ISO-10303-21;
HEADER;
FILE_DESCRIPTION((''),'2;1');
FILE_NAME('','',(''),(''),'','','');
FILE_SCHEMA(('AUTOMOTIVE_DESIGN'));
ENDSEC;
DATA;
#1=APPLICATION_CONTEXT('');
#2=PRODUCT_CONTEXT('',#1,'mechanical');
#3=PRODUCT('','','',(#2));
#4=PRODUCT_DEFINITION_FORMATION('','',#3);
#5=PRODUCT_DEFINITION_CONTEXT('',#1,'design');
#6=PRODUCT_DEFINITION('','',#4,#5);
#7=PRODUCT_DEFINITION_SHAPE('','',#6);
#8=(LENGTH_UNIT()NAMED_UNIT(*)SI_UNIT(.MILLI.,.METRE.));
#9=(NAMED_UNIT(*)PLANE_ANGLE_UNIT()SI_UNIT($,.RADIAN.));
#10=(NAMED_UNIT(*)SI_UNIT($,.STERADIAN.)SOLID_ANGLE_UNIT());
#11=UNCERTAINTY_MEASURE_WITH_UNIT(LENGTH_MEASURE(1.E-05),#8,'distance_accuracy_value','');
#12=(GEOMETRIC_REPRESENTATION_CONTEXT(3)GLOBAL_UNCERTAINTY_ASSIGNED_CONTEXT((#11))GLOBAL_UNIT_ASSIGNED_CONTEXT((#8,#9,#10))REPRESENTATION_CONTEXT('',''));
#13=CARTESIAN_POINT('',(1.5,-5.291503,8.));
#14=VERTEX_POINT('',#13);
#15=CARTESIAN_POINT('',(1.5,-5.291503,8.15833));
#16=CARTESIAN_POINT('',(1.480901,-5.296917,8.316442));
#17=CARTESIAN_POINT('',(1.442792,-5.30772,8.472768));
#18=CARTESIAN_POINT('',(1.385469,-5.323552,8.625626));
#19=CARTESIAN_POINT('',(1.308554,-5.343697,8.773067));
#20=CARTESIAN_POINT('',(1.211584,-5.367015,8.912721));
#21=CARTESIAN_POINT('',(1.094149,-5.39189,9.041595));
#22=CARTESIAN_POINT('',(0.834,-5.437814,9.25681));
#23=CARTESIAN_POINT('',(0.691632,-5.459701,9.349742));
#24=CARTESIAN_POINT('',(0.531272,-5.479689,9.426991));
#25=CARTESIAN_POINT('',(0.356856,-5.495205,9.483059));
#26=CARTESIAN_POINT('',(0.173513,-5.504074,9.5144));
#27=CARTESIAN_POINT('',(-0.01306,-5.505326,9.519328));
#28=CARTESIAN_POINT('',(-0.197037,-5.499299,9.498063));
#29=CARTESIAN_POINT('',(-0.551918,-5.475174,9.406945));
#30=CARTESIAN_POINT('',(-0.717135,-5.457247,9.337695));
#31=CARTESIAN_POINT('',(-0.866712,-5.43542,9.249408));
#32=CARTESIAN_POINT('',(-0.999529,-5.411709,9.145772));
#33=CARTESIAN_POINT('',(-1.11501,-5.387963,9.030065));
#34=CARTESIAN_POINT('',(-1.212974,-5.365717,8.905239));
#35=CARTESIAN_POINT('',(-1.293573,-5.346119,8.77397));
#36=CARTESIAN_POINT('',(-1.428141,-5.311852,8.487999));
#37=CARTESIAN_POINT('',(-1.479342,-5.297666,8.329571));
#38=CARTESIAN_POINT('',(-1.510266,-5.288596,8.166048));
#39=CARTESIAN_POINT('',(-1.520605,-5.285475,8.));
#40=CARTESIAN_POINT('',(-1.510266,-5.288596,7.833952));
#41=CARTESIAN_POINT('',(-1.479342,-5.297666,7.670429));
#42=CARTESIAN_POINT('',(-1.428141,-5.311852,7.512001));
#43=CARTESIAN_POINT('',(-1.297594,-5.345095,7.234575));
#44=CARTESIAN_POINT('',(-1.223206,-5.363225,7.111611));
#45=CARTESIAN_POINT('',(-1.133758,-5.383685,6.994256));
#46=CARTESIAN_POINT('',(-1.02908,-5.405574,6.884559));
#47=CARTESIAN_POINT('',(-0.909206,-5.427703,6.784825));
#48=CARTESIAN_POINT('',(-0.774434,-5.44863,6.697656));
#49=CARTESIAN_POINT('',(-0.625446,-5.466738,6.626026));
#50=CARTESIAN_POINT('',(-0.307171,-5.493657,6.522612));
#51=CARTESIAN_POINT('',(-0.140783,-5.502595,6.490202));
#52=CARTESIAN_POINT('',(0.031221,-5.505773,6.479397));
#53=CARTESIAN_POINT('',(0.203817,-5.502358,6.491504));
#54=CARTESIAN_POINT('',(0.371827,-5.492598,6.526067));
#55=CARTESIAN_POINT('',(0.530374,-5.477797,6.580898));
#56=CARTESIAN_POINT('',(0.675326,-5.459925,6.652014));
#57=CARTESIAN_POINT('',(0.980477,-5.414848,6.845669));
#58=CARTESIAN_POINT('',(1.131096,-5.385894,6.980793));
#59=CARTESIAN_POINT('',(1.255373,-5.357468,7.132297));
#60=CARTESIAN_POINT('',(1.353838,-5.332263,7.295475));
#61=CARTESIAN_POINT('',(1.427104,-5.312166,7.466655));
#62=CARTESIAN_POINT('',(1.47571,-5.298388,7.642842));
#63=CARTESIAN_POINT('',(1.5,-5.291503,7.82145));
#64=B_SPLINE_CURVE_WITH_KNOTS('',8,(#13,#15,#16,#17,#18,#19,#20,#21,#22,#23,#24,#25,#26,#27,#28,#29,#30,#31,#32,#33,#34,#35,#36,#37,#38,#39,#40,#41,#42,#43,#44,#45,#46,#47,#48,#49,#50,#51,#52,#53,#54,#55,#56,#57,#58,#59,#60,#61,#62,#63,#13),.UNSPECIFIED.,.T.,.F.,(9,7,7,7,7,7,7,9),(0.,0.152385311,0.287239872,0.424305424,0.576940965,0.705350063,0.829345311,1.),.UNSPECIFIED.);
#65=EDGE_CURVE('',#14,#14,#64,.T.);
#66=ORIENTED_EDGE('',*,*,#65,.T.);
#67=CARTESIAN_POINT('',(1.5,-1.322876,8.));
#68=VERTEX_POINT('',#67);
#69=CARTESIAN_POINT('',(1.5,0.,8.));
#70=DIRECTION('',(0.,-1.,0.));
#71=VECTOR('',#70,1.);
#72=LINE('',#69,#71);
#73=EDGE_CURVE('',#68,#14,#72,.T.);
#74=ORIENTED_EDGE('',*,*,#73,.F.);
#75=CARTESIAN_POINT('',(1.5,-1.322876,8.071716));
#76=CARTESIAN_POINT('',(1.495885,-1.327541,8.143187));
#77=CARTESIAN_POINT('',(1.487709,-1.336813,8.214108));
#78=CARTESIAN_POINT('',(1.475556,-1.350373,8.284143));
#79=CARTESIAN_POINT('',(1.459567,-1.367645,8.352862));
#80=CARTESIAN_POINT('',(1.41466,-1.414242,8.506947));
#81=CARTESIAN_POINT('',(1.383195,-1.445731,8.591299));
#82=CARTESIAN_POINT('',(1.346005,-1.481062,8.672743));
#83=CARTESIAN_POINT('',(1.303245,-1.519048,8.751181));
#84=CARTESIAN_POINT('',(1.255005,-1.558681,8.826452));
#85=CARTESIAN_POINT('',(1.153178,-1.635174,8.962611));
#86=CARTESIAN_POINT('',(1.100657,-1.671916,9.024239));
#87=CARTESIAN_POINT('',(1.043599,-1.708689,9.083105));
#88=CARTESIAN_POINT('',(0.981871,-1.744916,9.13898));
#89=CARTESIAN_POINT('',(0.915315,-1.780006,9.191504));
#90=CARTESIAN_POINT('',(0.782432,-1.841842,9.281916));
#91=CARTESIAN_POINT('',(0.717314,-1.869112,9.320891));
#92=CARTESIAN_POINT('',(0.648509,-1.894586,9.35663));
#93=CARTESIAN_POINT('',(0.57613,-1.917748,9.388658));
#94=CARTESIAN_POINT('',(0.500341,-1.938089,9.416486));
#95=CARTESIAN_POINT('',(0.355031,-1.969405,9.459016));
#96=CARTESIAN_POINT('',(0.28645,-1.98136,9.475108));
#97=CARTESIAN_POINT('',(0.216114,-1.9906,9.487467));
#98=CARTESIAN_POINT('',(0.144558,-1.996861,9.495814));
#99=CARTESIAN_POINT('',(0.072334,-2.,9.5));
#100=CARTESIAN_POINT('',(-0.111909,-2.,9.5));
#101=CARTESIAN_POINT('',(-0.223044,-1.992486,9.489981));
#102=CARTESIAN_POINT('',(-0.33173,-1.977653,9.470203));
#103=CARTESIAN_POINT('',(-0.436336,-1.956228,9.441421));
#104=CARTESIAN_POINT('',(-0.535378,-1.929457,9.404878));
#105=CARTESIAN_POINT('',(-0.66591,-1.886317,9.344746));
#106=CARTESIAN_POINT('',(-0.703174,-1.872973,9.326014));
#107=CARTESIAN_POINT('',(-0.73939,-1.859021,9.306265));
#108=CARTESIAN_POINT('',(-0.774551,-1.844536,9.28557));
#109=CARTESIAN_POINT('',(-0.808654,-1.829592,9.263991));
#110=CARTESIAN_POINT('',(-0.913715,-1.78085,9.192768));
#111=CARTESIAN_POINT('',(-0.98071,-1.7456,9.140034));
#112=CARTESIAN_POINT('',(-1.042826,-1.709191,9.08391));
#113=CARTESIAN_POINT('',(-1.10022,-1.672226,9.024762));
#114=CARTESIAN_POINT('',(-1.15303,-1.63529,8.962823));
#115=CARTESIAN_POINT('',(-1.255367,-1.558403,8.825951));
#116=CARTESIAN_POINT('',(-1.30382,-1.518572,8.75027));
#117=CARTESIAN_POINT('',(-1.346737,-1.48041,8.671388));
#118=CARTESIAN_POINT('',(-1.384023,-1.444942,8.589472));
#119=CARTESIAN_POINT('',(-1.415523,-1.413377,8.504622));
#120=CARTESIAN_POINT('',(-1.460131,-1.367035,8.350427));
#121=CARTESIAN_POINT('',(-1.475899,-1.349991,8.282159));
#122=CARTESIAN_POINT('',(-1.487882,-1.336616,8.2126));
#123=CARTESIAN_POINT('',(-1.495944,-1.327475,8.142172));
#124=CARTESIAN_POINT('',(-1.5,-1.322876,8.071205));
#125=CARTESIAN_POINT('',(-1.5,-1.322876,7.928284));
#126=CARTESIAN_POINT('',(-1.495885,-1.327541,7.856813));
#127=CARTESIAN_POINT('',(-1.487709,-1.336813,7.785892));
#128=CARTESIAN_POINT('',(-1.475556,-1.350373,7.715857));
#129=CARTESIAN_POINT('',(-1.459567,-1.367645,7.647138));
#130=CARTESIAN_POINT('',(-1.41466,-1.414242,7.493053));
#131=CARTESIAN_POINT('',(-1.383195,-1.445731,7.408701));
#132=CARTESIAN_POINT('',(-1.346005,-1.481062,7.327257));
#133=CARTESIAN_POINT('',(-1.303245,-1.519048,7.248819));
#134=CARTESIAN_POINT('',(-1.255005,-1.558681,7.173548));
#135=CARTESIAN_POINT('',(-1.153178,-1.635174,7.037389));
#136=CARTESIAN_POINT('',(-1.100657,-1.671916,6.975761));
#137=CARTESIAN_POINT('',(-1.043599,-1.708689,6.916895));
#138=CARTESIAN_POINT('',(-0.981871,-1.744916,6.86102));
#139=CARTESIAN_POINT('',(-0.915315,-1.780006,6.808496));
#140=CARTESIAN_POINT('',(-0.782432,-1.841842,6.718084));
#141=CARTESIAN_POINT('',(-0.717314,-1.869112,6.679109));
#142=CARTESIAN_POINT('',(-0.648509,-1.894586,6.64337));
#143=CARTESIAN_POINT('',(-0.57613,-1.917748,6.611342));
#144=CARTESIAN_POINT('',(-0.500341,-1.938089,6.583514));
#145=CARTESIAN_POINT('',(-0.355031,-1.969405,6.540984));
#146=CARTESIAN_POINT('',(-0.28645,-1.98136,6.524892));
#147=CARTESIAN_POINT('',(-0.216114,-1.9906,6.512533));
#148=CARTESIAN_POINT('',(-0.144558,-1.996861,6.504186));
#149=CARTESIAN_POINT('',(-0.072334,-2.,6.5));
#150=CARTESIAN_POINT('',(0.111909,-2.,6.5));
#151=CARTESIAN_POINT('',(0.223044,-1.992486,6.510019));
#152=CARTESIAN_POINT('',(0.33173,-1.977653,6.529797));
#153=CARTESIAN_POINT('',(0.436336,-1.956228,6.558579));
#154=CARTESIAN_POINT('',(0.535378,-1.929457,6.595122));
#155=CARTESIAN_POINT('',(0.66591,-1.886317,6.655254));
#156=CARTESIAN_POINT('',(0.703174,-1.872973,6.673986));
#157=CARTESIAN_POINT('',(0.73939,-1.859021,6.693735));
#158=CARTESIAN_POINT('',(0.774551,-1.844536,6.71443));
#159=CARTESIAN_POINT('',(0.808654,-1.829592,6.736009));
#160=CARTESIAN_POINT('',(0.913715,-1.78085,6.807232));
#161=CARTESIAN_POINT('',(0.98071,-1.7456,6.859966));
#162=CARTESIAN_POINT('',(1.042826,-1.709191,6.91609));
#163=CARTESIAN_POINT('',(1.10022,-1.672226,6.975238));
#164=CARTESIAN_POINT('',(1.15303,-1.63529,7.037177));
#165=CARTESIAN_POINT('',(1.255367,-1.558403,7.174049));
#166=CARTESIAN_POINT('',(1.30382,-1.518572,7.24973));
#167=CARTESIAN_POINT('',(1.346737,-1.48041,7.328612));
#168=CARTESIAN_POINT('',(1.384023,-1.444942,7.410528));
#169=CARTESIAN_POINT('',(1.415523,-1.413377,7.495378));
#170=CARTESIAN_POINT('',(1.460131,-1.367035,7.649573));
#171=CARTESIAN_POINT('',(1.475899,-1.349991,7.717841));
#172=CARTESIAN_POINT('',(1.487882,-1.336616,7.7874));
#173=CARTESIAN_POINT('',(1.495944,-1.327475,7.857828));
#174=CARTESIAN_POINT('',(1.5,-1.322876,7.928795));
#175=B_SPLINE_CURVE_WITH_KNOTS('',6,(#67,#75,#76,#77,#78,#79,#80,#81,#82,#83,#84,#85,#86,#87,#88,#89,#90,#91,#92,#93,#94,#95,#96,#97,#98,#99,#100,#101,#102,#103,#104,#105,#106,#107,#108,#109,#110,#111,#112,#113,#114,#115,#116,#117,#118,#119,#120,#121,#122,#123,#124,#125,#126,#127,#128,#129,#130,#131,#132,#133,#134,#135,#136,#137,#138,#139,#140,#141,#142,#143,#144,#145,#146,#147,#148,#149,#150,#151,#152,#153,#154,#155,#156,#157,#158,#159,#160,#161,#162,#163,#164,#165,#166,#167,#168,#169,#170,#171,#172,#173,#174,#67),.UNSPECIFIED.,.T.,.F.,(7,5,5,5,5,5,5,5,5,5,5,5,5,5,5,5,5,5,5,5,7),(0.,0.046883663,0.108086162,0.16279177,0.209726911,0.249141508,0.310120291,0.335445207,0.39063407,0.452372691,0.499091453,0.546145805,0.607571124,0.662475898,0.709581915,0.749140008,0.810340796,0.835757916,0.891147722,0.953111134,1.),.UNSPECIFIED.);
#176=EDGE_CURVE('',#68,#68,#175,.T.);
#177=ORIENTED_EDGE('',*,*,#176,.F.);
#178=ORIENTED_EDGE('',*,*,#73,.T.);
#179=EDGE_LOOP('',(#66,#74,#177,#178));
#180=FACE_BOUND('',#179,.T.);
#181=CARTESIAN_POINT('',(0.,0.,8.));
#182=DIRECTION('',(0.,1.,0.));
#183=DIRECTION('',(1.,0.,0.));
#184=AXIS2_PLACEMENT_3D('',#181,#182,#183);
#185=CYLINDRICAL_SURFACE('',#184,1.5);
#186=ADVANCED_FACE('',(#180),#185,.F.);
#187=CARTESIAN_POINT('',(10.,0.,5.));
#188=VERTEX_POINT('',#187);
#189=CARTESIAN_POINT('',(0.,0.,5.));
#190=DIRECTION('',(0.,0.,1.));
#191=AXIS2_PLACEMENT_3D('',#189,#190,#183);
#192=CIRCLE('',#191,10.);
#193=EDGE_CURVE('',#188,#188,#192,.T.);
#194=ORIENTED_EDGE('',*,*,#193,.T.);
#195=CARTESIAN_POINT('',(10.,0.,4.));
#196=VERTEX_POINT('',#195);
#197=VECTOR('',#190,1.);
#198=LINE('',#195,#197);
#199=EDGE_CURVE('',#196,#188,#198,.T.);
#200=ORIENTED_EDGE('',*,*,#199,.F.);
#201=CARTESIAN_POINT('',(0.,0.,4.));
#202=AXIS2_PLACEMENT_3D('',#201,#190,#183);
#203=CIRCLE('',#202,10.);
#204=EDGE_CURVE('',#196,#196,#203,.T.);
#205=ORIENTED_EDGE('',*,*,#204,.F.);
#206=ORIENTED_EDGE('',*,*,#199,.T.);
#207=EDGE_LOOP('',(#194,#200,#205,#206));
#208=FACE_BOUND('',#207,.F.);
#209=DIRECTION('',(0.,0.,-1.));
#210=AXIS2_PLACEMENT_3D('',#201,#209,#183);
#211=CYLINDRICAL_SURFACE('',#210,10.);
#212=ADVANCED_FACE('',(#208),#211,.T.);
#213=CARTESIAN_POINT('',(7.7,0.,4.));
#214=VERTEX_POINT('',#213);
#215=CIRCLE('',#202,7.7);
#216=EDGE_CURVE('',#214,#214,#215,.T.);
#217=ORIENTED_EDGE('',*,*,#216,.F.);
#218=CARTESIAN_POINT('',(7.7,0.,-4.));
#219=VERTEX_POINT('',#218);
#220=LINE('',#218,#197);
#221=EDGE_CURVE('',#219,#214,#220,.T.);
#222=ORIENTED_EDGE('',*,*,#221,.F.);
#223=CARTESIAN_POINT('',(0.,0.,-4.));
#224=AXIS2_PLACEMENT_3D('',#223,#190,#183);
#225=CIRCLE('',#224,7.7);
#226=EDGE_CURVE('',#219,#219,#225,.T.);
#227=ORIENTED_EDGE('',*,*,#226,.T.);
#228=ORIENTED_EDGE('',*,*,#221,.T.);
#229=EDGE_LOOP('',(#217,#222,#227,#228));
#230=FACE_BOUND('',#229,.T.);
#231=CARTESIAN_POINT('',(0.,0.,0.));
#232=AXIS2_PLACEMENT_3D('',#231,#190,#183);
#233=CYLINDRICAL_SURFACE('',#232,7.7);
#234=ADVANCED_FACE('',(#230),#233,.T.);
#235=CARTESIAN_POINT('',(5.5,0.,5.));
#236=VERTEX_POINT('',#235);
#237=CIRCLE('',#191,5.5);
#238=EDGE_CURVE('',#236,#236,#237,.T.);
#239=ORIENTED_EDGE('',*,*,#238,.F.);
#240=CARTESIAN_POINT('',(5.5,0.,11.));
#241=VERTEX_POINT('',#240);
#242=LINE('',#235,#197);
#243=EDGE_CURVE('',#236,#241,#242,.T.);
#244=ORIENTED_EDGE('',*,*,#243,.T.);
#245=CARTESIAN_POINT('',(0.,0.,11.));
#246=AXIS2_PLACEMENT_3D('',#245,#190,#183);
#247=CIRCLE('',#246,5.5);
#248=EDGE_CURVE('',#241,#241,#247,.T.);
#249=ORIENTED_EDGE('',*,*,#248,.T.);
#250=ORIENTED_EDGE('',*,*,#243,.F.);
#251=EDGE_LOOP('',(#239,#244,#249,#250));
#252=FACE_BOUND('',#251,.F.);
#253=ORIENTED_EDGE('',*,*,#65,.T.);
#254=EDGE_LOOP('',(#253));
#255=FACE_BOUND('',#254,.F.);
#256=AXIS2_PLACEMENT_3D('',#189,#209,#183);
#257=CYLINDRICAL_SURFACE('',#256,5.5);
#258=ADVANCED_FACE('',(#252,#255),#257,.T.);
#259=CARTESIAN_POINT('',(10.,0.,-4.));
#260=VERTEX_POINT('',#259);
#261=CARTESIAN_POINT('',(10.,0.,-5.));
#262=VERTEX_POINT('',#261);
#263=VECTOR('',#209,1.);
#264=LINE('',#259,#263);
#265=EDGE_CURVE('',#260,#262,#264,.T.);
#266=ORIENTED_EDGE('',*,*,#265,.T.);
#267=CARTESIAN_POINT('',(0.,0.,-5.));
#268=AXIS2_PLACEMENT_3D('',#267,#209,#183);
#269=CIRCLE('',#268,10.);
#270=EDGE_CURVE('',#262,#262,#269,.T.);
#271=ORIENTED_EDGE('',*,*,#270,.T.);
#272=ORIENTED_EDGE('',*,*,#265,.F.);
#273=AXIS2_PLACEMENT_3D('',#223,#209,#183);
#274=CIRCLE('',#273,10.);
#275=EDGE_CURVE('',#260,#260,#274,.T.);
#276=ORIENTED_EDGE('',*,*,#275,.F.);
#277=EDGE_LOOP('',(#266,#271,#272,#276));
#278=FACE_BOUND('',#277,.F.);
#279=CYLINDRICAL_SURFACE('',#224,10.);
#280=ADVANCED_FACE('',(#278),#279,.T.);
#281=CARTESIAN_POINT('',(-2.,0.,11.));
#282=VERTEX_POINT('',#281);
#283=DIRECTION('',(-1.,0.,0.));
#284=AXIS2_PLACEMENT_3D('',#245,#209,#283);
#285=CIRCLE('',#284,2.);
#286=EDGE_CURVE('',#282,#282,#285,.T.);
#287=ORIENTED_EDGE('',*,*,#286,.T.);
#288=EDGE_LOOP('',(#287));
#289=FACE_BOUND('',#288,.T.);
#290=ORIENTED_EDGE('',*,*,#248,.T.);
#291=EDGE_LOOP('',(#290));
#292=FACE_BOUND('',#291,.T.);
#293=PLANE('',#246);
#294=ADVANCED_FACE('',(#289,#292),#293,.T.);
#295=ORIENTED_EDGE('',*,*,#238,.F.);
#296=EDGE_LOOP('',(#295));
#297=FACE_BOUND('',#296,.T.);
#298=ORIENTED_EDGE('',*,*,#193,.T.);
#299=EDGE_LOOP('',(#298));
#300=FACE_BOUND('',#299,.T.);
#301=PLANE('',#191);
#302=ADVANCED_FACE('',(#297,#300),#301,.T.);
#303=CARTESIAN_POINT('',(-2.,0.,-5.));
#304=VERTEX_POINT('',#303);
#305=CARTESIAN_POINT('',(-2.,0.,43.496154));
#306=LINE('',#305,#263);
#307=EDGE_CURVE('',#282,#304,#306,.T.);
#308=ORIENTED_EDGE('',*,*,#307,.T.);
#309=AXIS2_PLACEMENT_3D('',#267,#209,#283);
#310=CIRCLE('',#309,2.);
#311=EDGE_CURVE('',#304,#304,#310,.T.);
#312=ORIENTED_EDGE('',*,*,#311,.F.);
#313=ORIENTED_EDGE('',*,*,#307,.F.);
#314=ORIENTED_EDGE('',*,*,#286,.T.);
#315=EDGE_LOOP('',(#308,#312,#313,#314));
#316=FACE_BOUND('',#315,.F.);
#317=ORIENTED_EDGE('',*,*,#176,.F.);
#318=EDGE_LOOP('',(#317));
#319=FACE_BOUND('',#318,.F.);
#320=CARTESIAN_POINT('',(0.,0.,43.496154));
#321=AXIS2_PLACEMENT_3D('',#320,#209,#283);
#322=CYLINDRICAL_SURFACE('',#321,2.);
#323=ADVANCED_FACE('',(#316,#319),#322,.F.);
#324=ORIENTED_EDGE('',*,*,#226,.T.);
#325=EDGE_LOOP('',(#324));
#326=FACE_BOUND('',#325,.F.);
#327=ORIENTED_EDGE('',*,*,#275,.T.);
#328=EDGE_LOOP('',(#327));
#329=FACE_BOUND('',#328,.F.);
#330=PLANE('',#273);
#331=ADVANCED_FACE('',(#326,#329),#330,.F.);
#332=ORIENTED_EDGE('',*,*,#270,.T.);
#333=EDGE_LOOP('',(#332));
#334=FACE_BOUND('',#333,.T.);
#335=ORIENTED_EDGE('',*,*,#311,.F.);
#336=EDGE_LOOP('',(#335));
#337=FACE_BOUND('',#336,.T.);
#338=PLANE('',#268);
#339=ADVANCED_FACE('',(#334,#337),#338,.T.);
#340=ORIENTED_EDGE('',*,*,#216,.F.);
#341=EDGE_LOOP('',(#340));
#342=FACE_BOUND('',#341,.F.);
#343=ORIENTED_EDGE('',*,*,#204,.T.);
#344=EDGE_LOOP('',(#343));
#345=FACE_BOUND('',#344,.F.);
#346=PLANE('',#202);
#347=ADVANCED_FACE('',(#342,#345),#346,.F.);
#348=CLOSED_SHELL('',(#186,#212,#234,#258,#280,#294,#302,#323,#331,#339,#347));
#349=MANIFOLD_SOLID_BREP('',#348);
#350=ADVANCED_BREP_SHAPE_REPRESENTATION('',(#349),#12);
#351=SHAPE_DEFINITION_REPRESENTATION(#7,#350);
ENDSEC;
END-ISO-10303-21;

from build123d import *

# Parameters (mm, degrees)
F0_R      = 7.7
F1_DEPTH  = 4
F2_R      = 10
F2_R_2    = 7.7
F3_DEPTH  = 1
F4_R      = 10
F4_R_2    = 7.7
F5_DEPTH  = 1
F6_R      = 5.5
F7_DEPTH  = 6
F9_D      = 4
F10_R     = 1.5
F11_DEPTH = 25


with BuildPart() as f1:
    # F0 (on Top) → F1 (new body, symmetric)
    with BuildSketch(Plane.XY):
        Circle(F0_R)
    extrude(amount=F1_DEPTH, both=True)

    # F2 (on face) → F3 (join)
    with BuildSketch(Plane.XY.offset(4)):
        Circle(F2_R)
        Circle(F2_R_2, mode=Mode.SUBTRACT)
        Circle(F2_R_2)
    extrude(amount=F3_DEPTH)

    # F4 (on face) → F5 (join)
    with BuildSketch(Plane(origin=(0, 0, -4), x_dir=(1, 0, 0), z_dir=(0, 0, -1))):
        Circle(F4_R)
        Circle(F4_R_2, mode=Mode.SUBTRACT)
        Circle(F4_R_2)
    extrude(amount=F5_DEPTH)

    # F6 (on face) → F7 (join)
    with BuildSketch(Plane.XY.offset(5)):
        Circle(F6_R)
    extrude(amount=F7_DEPTH)

    # F9 (through all)
    with Locations(Plane.XY.offset(11)):
        with Locations((0, 0)):
            Hole(F9_D / 2)

    # F10 (on Front) → F11 (cut)
    with BuildSketch(Plane.XZ):
        with Locations((0, 8)):
            Circle(F10_R)
    extrude(amount=F11_DEPTH, mode=Mode.SUBTRACT)


solid = f1.part
